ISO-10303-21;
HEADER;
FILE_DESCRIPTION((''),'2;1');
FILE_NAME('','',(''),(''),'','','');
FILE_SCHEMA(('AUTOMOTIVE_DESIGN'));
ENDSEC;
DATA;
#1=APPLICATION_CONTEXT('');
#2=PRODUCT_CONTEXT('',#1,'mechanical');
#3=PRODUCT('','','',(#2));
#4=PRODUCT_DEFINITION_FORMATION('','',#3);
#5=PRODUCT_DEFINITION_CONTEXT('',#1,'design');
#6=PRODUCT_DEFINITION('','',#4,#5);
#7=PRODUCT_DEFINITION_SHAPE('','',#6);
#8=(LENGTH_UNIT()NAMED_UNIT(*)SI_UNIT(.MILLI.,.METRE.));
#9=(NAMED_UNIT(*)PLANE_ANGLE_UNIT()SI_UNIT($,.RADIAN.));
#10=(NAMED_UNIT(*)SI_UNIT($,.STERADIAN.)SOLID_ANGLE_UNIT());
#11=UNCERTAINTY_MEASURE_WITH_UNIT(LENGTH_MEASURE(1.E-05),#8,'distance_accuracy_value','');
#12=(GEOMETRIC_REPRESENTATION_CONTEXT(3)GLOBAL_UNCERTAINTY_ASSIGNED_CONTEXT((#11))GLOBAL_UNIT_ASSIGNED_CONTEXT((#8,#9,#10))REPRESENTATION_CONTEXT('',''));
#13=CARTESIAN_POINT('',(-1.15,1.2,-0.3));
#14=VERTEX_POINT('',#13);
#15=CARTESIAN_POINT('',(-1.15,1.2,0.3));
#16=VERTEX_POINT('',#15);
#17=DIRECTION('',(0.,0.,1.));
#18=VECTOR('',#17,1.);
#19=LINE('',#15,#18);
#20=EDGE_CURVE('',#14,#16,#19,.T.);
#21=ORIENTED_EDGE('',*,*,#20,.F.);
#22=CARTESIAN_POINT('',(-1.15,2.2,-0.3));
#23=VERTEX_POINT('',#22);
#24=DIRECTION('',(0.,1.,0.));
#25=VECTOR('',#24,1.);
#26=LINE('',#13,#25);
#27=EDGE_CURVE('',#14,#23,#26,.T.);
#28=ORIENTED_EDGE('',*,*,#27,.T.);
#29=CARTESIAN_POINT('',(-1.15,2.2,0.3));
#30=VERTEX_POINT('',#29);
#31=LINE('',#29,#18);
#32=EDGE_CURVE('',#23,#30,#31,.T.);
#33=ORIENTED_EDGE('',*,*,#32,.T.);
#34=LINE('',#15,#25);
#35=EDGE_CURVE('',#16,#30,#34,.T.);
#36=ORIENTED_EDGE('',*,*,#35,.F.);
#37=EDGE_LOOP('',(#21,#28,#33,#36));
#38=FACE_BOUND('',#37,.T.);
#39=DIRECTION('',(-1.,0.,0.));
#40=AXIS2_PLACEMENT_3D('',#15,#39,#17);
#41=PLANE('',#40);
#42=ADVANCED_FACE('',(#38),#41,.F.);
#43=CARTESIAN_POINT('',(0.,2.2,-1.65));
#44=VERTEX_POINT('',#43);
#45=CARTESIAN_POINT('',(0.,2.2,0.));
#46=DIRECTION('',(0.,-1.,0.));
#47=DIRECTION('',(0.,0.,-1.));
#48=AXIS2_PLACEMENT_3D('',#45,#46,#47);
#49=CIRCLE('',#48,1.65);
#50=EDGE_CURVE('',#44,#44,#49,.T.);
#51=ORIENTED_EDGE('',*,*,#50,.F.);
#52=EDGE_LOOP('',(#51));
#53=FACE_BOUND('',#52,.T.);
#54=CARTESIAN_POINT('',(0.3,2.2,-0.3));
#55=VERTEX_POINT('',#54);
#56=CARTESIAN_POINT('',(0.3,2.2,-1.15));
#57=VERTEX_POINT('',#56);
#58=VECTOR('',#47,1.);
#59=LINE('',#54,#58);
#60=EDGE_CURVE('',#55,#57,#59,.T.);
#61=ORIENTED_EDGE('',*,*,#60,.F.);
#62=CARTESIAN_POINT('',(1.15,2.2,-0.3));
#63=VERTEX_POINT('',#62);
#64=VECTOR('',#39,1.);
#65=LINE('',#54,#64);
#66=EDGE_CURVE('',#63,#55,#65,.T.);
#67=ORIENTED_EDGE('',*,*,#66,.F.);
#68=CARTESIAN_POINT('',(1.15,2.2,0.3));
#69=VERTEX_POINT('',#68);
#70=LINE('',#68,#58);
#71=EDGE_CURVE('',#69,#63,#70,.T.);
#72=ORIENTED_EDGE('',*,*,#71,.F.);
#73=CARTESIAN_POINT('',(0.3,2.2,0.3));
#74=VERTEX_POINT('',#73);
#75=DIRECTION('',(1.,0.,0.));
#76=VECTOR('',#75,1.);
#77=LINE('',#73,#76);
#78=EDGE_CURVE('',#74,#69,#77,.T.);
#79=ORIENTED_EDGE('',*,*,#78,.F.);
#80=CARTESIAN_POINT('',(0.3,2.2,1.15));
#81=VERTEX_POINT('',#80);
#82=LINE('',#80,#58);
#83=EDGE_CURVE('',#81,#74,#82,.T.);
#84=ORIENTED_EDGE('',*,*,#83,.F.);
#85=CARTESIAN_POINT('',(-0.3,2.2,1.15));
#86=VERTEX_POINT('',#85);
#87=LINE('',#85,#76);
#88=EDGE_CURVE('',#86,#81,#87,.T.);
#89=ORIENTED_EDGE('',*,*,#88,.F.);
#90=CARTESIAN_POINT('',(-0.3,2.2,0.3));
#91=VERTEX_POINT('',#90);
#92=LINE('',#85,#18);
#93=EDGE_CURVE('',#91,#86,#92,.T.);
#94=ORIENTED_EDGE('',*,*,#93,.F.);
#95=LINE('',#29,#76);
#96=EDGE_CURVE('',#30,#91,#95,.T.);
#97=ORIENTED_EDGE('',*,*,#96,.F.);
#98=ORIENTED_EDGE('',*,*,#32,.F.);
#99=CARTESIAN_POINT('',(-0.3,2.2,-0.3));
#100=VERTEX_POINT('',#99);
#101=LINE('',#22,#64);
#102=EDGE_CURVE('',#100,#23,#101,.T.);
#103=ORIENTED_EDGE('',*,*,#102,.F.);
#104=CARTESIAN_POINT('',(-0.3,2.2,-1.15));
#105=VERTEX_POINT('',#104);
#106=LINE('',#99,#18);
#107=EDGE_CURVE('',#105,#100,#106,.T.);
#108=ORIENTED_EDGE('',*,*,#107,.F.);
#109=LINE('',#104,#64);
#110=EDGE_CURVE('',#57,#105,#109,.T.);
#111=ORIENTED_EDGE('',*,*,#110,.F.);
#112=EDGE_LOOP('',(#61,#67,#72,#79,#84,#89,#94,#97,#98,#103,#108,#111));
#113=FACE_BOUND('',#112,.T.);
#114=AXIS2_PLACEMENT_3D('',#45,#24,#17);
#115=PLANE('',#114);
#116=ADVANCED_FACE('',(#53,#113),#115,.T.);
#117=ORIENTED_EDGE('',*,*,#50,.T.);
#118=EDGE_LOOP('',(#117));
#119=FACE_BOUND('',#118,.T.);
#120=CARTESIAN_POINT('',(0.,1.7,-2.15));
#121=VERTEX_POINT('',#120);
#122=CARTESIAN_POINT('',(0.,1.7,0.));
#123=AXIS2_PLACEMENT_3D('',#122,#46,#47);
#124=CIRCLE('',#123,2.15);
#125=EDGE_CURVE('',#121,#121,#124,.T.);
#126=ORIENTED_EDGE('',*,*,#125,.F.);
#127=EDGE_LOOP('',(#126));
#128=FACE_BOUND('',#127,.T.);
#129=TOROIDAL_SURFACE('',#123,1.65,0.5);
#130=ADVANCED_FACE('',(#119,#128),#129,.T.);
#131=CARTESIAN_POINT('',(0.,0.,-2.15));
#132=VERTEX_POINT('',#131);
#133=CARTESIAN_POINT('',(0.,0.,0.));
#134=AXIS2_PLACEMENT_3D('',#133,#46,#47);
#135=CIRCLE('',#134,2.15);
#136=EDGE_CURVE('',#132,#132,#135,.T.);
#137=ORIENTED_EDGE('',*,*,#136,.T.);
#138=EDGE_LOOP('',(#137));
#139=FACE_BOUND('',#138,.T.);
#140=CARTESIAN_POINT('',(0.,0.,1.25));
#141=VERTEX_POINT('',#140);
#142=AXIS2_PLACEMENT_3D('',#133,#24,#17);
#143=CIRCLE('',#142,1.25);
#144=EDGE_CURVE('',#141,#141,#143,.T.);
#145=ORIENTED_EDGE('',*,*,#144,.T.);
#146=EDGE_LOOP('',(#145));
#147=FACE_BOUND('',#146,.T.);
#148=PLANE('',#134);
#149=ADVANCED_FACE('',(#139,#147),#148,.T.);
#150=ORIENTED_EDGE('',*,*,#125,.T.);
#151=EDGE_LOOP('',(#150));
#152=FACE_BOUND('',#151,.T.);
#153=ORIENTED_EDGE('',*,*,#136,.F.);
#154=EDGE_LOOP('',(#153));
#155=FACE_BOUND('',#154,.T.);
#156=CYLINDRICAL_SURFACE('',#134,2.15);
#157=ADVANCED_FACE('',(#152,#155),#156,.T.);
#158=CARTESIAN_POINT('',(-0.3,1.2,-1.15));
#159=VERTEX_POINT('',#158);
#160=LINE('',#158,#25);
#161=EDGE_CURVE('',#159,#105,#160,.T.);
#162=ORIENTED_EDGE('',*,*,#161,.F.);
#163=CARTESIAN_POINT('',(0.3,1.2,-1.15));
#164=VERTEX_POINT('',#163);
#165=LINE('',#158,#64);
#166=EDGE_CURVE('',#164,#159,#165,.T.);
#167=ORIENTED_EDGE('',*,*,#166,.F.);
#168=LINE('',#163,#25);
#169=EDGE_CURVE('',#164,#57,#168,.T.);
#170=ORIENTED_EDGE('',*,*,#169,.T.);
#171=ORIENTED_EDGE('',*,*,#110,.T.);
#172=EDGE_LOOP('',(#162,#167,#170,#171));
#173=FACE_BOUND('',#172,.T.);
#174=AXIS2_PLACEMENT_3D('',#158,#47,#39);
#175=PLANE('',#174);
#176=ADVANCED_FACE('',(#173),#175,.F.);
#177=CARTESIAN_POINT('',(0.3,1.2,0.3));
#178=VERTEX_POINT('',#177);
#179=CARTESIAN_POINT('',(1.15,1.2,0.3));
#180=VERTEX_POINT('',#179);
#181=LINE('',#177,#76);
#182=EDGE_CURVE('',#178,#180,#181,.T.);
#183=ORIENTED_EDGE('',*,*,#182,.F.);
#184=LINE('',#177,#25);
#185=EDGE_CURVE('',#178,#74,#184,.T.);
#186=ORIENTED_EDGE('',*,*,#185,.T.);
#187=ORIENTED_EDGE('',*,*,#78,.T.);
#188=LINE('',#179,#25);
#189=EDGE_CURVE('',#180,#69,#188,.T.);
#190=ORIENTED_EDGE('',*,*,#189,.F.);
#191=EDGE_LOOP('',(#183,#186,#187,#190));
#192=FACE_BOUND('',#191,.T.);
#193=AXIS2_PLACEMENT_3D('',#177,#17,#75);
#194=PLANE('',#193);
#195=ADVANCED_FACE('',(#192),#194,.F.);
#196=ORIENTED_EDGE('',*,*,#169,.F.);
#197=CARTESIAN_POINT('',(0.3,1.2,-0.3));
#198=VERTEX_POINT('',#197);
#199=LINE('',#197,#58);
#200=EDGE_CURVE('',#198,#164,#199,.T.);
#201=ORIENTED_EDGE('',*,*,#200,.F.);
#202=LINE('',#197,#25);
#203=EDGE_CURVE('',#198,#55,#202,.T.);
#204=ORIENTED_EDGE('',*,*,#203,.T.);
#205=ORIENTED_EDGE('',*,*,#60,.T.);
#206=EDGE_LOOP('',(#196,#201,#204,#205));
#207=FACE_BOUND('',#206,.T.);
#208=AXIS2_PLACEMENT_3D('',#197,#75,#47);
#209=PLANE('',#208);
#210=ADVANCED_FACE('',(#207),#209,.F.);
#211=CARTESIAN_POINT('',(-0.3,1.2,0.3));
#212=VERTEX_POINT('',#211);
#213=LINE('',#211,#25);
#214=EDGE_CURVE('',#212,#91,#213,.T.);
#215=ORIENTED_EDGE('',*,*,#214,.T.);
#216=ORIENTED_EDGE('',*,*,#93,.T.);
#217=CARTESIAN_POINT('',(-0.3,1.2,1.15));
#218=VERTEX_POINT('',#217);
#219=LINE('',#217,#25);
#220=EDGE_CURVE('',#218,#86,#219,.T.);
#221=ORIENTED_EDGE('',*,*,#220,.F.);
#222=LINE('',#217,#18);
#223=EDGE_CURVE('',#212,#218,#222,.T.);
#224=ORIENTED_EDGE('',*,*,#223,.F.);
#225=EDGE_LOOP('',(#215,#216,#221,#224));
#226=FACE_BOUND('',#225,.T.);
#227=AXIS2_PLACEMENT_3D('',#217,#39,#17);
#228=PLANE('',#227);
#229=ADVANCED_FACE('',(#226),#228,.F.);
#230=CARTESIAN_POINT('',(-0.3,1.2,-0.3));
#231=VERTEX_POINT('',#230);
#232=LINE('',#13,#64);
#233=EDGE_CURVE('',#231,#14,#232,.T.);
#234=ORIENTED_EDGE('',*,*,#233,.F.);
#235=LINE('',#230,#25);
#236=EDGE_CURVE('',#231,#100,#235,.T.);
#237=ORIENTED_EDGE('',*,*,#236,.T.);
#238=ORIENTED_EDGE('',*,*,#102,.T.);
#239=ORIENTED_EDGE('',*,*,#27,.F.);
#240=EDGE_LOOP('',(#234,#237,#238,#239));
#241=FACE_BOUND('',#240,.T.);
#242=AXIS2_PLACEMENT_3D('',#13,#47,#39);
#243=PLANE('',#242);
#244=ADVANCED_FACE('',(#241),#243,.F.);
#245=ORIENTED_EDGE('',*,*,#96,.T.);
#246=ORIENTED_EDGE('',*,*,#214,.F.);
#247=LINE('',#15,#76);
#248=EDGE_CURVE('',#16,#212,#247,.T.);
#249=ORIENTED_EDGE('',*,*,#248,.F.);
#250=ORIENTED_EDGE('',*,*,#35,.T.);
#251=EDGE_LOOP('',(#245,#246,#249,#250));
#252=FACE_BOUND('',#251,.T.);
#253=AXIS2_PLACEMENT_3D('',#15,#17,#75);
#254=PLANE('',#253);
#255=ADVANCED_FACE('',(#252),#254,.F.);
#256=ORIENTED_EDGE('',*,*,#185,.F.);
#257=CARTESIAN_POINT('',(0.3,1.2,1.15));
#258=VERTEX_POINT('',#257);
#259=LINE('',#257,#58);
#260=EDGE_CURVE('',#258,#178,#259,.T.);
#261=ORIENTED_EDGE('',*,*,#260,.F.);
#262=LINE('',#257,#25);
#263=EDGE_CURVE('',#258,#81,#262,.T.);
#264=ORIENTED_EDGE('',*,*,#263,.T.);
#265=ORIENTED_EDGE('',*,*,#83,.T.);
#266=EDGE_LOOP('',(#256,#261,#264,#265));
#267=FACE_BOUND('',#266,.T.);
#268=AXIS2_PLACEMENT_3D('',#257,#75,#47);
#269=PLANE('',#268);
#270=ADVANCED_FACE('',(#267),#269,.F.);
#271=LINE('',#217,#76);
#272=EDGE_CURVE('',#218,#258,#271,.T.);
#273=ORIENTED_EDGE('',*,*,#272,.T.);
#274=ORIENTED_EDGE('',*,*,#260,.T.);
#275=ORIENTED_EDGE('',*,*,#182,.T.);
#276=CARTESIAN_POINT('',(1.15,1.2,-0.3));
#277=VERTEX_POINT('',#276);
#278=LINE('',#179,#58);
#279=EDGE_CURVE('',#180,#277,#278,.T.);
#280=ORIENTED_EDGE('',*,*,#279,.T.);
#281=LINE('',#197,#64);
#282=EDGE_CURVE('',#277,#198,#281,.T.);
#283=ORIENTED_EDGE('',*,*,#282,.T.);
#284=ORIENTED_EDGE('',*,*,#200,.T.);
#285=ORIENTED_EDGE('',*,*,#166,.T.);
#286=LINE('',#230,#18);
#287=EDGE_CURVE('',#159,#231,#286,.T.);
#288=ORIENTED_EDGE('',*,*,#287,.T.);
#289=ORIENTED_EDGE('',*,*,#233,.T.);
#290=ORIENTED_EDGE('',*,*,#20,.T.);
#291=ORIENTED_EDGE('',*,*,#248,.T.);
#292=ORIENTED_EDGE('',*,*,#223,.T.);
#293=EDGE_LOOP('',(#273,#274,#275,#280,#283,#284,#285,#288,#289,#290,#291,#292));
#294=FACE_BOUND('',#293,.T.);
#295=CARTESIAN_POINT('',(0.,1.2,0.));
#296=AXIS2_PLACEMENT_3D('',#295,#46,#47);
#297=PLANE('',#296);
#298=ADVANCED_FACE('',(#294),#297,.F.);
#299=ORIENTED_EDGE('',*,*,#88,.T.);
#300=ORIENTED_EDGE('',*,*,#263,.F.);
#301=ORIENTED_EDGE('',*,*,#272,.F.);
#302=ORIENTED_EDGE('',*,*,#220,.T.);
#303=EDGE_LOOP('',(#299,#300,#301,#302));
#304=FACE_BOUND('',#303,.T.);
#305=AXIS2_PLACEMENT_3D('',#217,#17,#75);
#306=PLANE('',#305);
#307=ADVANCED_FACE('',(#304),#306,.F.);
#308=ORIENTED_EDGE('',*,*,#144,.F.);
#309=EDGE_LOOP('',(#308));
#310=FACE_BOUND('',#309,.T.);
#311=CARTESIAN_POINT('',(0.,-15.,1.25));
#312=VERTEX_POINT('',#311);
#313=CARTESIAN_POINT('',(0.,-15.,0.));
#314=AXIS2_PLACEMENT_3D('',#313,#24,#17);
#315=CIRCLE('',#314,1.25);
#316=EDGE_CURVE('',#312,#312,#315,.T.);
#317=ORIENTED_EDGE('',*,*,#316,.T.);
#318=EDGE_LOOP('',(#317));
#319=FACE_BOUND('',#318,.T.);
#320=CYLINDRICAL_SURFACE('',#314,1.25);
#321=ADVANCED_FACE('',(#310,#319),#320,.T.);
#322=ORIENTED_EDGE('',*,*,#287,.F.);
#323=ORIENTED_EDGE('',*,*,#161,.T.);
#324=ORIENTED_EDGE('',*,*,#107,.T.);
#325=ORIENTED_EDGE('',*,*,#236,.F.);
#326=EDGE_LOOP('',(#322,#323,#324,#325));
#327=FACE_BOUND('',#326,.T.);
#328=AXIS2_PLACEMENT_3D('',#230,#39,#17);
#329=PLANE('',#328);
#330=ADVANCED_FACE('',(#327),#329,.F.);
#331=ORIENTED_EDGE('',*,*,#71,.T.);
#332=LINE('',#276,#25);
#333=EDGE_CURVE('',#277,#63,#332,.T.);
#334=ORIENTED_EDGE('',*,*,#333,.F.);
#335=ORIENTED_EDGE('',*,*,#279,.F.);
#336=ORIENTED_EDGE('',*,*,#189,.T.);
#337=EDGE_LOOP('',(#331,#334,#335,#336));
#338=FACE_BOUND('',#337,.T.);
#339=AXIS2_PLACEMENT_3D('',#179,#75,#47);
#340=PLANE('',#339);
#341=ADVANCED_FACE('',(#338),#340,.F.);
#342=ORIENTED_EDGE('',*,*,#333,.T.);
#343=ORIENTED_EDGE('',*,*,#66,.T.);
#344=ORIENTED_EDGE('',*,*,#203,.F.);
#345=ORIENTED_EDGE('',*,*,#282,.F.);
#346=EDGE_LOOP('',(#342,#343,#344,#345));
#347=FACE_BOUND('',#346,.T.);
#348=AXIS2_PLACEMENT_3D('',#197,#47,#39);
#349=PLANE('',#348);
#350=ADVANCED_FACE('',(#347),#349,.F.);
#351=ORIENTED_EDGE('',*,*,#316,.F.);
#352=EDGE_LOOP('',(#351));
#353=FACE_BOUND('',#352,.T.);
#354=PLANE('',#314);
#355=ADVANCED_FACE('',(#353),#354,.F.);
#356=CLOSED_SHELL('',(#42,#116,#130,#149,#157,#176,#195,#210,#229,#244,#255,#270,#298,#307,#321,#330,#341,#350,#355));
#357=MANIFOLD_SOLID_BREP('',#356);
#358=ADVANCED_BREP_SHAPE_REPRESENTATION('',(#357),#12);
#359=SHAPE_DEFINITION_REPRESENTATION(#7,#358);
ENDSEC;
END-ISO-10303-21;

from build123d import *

# Parameters (mm, degrees)
SKETCH2_R     = 1.25
SHAFT_DEPTH   = 15
PHILIPS_DEPTH = 1


with BuildPart() as part:
    # Sketch2 → Shaft (new body)
    with BuildSketch(Plane(origin=(0, 0, 0), x_dir=(1, 0, 0), z_dir=(0, 1, 0))):
        Circle(SKETCH2_R)
    extrude(amount=-SHAFT_DEPTH)

    # Sketch3 → Head (revolve)
    with BuildSketch(Plane.XY):
        with BuildLine():
            Line((0, 0), (0, 2.2))
            Line((0, 2.2), (1.65, 2.2))
            ThreePointArc((1.65, 2.2), (2.003553391, 2.053553391), (2.15, 1.7))
            Line((2.15, 1.7), (2.15, 0))
            Line((2.15, 0), (0, 0))
        make_face()
    revolve(axis=Axis((0, 0, 0), (0, 1, 0)))

    # Sketch5 → Philips (cut)
    with BuildSketch(Plane(origin=(0, 2.2, 0), x_dir=(1, 0, 0), z_dir=(0, 1, 0))):
        Polygon((-0.3, -1.15), (0.3, -1.15), (0.3, -0.3), (1.15, -0.3), (1.15, 0.3), (0.3, 0.3), (0.3, 1.15), (-0.3, 1.15), (-0.3, 0.3), (-1.15, 0.3), (-1.15, -0.3), (-0.3, -0.3), align=None)
    extrude(amount=-PHILIPS_DEPTH, mode=Mode.SUBTRACT)


solid = part.part
